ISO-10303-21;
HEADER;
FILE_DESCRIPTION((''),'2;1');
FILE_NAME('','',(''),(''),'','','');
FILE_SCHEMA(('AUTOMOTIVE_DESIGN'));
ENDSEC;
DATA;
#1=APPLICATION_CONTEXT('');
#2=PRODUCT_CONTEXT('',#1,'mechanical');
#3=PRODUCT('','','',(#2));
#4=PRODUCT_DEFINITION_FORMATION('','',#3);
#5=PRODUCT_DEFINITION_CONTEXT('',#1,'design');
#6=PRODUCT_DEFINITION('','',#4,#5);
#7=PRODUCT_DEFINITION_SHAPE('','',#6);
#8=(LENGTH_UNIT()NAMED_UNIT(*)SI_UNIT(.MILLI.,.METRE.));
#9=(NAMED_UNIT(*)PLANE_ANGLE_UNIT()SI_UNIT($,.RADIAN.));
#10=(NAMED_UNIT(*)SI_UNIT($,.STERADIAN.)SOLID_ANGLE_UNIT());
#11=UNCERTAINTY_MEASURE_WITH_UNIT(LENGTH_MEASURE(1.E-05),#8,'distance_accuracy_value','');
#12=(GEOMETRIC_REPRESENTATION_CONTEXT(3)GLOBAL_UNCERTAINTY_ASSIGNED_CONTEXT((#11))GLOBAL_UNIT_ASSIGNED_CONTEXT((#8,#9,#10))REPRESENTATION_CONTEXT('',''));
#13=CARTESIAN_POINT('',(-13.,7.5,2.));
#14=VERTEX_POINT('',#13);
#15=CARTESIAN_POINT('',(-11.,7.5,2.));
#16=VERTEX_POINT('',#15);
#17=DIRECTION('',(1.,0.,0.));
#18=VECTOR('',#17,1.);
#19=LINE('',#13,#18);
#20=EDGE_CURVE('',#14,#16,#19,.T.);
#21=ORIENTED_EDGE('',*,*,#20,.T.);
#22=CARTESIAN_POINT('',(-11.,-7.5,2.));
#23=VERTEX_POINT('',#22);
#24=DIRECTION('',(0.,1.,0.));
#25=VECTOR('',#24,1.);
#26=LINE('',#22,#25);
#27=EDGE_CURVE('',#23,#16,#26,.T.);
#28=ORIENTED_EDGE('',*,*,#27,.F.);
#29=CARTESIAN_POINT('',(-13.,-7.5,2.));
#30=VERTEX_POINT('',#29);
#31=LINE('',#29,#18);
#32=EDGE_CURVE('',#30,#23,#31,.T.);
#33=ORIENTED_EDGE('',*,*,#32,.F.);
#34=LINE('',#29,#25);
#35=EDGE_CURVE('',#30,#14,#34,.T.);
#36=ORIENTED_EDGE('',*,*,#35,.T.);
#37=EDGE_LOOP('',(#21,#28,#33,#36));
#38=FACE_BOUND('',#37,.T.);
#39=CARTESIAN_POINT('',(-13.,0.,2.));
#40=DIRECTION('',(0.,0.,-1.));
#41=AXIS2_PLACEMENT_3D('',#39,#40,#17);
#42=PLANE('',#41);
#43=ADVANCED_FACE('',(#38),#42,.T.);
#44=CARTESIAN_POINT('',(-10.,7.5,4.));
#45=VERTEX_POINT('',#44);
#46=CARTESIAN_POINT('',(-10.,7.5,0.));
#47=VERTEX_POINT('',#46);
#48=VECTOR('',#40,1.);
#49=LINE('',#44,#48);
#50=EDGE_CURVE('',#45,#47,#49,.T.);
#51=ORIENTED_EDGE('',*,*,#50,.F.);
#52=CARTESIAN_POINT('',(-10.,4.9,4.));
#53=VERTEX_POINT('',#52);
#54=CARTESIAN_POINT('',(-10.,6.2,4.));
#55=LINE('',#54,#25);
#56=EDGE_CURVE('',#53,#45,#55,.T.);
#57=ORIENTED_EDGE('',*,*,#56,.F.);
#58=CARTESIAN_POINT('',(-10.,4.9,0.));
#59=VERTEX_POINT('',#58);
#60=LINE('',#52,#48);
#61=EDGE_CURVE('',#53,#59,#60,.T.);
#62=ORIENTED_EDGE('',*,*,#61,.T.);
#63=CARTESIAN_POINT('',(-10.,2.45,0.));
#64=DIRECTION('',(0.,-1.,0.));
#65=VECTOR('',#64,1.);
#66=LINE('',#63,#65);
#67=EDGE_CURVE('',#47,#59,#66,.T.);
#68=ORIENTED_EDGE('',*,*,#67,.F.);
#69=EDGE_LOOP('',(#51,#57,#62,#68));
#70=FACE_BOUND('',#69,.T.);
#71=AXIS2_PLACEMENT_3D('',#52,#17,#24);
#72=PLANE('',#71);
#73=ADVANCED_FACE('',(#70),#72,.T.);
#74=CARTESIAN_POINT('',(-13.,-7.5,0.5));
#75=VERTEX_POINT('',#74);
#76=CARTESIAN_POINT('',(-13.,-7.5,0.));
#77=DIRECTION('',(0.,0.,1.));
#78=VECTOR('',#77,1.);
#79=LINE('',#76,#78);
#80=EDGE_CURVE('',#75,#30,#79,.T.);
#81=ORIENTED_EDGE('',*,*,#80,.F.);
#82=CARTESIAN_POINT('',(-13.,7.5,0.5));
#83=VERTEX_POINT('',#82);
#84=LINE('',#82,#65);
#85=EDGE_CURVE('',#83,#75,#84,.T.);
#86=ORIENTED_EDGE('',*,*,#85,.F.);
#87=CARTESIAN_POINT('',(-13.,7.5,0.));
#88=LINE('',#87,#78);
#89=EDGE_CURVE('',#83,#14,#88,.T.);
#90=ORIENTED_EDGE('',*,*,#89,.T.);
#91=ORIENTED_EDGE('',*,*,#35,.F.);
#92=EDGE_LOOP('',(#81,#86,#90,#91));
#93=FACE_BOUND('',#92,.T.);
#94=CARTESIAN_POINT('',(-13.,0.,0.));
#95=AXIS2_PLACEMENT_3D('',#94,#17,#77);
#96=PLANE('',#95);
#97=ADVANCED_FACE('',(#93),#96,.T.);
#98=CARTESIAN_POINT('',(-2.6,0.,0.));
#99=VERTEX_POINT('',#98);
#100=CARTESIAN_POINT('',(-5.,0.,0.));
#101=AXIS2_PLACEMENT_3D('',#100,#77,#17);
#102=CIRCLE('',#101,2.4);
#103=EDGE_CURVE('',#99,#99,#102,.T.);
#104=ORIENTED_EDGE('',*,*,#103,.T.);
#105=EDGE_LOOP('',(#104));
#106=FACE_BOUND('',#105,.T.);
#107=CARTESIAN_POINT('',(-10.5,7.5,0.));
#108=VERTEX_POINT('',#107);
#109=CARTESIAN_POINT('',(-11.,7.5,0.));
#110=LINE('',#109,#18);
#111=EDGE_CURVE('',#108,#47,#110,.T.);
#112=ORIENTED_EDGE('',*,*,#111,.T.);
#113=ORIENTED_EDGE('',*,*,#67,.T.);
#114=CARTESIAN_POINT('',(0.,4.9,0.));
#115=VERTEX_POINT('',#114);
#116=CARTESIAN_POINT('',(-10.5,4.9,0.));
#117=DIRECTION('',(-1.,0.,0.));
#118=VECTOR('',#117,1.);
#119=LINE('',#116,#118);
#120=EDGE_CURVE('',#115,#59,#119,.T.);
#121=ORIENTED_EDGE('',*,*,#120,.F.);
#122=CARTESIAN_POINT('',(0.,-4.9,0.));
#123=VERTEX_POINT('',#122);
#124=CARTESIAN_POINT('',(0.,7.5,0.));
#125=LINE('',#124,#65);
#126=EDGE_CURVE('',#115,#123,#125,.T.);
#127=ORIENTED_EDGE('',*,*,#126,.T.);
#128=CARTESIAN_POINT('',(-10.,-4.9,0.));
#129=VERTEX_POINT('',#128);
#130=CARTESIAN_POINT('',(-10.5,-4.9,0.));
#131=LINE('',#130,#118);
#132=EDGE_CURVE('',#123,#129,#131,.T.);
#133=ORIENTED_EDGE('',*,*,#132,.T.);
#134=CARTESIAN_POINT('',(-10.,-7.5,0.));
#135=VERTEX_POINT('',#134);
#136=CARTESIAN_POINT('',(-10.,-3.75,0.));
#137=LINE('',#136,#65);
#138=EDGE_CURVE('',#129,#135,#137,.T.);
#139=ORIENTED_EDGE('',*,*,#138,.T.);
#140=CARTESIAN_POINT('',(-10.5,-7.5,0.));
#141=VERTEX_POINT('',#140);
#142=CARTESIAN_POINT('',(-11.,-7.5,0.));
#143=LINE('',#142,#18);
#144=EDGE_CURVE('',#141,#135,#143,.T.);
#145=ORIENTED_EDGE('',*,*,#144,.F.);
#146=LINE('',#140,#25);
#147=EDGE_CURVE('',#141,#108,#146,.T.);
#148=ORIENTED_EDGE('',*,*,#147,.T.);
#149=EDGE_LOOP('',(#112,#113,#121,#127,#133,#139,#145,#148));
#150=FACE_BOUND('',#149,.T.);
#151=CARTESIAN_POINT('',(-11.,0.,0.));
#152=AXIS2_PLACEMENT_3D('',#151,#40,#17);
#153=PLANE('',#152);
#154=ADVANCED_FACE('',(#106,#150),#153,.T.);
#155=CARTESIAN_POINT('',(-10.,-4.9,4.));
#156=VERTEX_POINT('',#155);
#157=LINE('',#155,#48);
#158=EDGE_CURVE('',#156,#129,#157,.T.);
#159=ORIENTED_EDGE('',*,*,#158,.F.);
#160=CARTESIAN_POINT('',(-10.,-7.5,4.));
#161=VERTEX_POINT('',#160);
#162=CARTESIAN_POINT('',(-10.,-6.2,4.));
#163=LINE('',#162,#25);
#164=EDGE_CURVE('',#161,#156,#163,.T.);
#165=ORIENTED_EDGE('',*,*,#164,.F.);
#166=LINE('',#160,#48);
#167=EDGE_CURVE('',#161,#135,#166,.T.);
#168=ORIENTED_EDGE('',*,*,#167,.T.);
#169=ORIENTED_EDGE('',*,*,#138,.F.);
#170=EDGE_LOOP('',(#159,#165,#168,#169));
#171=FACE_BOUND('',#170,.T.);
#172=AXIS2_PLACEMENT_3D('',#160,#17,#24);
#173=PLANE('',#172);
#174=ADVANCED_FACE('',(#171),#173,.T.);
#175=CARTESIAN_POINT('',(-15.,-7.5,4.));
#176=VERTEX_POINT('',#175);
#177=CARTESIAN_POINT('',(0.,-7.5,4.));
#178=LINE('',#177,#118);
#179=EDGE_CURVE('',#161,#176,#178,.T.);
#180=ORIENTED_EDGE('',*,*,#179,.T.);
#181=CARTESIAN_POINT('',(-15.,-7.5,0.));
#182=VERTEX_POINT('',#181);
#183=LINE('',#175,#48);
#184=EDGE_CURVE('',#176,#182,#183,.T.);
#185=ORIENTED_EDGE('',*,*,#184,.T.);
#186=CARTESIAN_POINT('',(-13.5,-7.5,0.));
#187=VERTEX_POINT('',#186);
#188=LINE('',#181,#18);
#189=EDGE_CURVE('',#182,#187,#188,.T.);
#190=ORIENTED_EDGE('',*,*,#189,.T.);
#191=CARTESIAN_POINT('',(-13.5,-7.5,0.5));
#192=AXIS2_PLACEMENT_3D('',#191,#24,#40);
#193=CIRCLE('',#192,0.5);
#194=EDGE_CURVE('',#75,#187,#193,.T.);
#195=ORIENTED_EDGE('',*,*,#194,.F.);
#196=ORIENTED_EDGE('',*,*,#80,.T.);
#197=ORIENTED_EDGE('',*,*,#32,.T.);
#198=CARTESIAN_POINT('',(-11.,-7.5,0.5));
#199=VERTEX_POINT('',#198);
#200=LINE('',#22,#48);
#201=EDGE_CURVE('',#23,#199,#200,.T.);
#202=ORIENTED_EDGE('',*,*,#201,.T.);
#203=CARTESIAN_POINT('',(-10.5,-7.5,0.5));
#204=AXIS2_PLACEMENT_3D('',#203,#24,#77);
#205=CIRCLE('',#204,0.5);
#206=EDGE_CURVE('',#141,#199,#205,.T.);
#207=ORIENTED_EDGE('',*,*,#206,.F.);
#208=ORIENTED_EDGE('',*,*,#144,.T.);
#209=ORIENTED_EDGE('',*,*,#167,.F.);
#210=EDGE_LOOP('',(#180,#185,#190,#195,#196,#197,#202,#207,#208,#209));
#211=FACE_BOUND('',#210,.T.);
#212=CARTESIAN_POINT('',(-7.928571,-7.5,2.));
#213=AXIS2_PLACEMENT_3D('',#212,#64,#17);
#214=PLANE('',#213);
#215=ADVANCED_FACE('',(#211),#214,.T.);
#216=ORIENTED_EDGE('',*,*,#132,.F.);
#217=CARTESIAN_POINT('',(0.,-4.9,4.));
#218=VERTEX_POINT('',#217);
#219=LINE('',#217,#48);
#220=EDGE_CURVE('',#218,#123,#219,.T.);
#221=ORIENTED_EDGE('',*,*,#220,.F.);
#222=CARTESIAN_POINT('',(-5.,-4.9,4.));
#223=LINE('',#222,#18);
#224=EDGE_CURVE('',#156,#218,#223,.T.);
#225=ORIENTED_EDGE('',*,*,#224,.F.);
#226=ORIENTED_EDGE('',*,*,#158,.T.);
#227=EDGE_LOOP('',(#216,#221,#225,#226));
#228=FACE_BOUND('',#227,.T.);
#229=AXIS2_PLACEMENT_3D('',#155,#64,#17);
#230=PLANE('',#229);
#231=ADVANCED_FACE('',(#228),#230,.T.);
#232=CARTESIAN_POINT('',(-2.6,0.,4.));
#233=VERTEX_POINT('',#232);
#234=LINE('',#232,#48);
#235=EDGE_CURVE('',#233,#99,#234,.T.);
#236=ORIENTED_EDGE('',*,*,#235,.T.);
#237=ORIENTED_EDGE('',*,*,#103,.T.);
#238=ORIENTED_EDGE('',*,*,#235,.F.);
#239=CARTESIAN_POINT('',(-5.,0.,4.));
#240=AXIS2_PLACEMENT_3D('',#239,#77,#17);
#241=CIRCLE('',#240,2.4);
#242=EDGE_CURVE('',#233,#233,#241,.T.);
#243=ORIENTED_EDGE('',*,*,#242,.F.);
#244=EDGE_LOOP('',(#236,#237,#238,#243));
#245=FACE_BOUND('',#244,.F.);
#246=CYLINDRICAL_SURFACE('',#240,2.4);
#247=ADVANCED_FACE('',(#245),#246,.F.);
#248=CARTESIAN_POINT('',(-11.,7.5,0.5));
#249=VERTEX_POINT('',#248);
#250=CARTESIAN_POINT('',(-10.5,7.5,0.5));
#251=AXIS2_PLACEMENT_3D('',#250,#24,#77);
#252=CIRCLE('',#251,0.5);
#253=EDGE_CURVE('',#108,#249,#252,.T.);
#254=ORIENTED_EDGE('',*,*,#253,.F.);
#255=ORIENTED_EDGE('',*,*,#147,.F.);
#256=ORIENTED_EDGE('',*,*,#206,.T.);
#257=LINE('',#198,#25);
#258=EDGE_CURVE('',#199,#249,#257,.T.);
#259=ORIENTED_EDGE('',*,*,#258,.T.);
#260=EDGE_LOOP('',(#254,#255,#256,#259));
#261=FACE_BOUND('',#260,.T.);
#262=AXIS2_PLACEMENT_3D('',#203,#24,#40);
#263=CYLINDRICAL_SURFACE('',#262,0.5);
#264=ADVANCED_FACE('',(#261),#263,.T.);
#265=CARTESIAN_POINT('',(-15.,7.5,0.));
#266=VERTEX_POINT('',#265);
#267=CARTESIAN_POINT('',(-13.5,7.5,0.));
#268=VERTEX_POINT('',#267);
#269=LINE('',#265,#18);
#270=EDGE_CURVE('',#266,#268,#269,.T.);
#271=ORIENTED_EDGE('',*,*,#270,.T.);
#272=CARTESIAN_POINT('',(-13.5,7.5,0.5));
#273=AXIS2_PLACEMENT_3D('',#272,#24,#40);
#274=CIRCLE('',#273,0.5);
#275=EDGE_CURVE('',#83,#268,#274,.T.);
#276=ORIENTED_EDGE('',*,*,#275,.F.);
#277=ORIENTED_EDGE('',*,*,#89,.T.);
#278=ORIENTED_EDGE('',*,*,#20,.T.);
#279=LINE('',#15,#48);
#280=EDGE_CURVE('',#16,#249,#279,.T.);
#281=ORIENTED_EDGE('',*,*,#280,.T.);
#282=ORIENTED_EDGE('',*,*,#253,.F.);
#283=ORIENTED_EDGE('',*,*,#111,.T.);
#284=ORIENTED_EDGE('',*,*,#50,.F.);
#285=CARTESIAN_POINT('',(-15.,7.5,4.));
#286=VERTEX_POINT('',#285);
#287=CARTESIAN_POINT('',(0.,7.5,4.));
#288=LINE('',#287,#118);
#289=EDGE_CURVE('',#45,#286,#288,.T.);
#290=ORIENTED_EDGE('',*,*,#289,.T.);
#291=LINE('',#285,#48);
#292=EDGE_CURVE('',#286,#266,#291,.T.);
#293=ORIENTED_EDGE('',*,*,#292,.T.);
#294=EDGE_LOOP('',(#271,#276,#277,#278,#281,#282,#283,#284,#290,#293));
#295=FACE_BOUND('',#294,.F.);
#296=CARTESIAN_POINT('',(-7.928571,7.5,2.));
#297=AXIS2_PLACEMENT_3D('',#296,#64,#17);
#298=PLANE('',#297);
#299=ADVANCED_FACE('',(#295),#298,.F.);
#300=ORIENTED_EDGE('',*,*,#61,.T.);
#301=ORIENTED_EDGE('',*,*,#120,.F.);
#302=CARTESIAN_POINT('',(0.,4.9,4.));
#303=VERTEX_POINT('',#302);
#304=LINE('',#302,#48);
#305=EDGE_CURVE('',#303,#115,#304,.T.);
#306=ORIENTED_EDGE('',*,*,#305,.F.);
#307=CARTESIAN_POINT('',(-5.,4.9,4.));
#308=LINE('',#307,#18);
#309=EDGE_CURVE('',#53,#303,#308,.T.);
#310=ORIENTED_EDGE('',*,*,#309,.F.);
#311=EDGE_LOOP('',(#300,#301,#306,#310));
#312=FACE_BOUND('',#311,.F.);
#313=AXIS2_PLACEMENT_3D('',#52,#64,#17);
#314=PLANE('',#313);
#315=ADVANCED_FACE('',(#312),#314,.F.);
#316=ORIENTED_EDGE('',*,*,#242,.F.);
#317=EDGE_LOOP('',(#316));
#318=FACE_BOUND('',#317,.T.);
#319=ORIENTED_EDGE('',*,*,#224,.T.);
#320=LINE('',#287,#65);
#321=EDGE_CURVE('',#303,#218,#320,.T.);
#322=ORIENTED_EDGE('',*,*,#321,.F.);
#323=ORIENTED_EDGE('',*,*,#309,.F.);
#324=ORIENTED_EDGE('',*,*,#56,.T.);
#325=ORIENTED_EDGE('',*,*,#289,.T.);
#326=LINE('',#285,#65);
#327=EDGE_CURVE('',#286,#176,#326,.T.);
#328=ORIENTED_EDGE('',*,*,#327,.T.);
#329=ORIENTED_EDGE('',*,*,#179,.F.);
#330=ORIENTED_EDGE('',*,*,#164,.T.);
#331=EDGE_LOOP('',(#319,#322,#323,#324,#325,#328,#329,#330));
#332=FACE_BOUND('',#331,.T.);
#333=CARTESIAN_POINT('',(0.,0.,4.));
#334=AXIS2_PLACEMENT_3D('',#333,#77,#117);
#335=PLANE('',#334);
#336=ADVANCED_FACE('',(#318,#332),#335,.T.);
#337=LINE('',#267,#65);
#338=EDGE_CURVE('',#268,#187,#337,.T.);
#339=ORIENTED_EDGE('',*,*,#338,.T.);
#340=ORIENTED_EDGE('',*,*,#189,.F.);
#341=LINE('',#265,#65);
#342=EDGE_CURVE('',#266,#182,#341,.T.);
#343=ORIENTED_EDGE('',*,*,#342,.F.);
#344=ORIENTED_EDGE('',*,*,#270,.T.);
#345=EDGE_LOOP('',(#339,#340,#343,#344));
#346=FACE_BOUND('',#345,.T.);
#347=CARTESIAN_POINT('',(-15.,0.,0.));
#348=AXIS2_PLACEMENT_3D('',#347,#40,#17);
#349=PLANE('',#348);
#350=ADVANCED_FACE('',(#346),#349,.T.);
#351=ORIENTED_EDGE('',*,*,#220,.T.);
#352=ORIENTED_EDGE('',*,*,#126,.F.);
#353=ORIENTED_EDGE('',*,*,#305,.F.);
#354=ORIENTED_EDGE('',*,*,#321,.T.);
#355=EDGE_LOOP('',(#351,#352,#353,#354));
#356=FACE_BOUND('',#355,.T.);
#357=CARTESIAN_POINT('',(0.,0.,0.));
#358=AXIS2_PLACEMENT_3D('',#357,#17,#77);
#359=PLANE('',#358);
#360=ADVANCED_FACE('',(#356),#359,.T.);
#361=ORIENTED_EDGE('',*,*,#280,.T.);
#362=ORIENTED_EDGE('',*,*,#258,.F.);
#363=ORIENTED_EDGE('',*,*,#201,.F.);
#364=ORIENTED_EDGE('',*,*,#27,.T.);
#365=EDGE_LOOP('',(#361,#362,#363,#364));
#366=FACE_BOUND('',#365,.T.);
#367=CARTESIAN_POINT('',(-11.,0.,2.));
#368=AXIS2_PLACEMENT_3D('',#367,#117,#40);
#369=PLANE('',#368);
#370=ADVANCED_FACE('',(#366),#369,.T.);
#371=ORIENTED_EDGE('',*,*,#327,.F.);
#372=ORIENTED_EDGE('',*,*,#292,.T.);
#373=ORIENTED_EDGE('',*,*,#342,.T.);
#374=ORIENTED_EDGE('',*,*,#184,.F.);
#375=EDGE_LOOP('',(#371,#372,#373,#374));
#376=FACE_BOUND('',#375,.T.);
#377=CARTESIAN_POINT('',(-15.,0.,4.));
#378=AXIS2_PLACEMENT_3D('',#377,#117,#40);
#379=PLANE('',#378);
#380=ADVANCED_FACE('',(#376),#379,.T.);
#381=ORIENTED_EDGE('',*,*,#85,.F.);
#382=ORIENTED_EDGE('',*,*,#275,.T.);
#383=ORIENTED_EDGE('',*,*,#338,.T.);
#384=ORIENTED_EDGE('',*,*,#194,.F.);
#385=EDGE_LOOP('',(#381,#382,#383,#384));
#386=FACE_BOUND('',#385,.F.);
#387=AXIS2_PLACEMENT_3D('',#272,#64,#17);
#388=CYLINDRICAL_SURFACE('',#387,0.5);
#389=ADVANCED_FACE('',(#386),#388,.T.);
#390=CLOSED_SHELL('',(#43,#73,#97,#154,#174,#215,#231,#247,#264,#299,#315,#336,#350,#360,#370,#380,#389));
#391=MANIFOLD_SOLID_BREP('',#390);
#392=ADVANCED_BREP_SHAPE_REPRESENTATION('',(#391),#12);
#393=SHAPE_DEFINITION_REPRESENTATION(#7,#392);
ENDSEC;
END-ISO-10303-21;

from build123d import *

# Parameters (mm, degrees)
F1_DEPTH      = 7.5
F1_DEPTH_BACK = 7.5
F2_R          = 2.4
F3_DEPTH      = 4.001
F4_W          = 10
F4_H          = 2.6
F5_DEPTH      = 4.001
F6_R          = 0.5


with BuildPart() as f1:
    # F0 (on Front) → F1 (new body, two sides)
    with BuildSketch(Plane.XZ) as f1_sk:
        Polygon((-11, 0), (0, 0), (0, 4), (-15, 4), (-15, 0), (-13, 0), (-13, 2), (-11, 2), align=None)
    extrude(amount=F1_DEPTH)
    extrude(f1_sk.sketch, amount=-F1_DEPTH_BACK)

    # F2 (on face) → F3 (cut, through all)
    with BuildSketch(Plane.XY.offset(4)):
        with Locations((-5, 0)):
            Circle(F2_R)
    extrude(amount=-F3_DEPTH, mode=Mode.SUBTRACT)

    # F4 (on face) → F5 (cut, through all)
    with BuildSketch(Plane.XY.offset(4)):
        with Locations((-5, 6.2)):
            Rectangle(F4_W, F4_H)
        with Locations((-5, -6.2)):
            Rectangle(F4_W, F4_H)
    extrude(amount=-F5_DEPTH, mode=Mode.SUBTRACT)

    # F6
    f6_edges = [f1.edges().sort_by_distance(p)[0] for p in [
        (-13, 0, 0),
        (-11, 0, 0),
    ]]
    fillet(f6_edges, radius=F6_R)


solid = f1.part
